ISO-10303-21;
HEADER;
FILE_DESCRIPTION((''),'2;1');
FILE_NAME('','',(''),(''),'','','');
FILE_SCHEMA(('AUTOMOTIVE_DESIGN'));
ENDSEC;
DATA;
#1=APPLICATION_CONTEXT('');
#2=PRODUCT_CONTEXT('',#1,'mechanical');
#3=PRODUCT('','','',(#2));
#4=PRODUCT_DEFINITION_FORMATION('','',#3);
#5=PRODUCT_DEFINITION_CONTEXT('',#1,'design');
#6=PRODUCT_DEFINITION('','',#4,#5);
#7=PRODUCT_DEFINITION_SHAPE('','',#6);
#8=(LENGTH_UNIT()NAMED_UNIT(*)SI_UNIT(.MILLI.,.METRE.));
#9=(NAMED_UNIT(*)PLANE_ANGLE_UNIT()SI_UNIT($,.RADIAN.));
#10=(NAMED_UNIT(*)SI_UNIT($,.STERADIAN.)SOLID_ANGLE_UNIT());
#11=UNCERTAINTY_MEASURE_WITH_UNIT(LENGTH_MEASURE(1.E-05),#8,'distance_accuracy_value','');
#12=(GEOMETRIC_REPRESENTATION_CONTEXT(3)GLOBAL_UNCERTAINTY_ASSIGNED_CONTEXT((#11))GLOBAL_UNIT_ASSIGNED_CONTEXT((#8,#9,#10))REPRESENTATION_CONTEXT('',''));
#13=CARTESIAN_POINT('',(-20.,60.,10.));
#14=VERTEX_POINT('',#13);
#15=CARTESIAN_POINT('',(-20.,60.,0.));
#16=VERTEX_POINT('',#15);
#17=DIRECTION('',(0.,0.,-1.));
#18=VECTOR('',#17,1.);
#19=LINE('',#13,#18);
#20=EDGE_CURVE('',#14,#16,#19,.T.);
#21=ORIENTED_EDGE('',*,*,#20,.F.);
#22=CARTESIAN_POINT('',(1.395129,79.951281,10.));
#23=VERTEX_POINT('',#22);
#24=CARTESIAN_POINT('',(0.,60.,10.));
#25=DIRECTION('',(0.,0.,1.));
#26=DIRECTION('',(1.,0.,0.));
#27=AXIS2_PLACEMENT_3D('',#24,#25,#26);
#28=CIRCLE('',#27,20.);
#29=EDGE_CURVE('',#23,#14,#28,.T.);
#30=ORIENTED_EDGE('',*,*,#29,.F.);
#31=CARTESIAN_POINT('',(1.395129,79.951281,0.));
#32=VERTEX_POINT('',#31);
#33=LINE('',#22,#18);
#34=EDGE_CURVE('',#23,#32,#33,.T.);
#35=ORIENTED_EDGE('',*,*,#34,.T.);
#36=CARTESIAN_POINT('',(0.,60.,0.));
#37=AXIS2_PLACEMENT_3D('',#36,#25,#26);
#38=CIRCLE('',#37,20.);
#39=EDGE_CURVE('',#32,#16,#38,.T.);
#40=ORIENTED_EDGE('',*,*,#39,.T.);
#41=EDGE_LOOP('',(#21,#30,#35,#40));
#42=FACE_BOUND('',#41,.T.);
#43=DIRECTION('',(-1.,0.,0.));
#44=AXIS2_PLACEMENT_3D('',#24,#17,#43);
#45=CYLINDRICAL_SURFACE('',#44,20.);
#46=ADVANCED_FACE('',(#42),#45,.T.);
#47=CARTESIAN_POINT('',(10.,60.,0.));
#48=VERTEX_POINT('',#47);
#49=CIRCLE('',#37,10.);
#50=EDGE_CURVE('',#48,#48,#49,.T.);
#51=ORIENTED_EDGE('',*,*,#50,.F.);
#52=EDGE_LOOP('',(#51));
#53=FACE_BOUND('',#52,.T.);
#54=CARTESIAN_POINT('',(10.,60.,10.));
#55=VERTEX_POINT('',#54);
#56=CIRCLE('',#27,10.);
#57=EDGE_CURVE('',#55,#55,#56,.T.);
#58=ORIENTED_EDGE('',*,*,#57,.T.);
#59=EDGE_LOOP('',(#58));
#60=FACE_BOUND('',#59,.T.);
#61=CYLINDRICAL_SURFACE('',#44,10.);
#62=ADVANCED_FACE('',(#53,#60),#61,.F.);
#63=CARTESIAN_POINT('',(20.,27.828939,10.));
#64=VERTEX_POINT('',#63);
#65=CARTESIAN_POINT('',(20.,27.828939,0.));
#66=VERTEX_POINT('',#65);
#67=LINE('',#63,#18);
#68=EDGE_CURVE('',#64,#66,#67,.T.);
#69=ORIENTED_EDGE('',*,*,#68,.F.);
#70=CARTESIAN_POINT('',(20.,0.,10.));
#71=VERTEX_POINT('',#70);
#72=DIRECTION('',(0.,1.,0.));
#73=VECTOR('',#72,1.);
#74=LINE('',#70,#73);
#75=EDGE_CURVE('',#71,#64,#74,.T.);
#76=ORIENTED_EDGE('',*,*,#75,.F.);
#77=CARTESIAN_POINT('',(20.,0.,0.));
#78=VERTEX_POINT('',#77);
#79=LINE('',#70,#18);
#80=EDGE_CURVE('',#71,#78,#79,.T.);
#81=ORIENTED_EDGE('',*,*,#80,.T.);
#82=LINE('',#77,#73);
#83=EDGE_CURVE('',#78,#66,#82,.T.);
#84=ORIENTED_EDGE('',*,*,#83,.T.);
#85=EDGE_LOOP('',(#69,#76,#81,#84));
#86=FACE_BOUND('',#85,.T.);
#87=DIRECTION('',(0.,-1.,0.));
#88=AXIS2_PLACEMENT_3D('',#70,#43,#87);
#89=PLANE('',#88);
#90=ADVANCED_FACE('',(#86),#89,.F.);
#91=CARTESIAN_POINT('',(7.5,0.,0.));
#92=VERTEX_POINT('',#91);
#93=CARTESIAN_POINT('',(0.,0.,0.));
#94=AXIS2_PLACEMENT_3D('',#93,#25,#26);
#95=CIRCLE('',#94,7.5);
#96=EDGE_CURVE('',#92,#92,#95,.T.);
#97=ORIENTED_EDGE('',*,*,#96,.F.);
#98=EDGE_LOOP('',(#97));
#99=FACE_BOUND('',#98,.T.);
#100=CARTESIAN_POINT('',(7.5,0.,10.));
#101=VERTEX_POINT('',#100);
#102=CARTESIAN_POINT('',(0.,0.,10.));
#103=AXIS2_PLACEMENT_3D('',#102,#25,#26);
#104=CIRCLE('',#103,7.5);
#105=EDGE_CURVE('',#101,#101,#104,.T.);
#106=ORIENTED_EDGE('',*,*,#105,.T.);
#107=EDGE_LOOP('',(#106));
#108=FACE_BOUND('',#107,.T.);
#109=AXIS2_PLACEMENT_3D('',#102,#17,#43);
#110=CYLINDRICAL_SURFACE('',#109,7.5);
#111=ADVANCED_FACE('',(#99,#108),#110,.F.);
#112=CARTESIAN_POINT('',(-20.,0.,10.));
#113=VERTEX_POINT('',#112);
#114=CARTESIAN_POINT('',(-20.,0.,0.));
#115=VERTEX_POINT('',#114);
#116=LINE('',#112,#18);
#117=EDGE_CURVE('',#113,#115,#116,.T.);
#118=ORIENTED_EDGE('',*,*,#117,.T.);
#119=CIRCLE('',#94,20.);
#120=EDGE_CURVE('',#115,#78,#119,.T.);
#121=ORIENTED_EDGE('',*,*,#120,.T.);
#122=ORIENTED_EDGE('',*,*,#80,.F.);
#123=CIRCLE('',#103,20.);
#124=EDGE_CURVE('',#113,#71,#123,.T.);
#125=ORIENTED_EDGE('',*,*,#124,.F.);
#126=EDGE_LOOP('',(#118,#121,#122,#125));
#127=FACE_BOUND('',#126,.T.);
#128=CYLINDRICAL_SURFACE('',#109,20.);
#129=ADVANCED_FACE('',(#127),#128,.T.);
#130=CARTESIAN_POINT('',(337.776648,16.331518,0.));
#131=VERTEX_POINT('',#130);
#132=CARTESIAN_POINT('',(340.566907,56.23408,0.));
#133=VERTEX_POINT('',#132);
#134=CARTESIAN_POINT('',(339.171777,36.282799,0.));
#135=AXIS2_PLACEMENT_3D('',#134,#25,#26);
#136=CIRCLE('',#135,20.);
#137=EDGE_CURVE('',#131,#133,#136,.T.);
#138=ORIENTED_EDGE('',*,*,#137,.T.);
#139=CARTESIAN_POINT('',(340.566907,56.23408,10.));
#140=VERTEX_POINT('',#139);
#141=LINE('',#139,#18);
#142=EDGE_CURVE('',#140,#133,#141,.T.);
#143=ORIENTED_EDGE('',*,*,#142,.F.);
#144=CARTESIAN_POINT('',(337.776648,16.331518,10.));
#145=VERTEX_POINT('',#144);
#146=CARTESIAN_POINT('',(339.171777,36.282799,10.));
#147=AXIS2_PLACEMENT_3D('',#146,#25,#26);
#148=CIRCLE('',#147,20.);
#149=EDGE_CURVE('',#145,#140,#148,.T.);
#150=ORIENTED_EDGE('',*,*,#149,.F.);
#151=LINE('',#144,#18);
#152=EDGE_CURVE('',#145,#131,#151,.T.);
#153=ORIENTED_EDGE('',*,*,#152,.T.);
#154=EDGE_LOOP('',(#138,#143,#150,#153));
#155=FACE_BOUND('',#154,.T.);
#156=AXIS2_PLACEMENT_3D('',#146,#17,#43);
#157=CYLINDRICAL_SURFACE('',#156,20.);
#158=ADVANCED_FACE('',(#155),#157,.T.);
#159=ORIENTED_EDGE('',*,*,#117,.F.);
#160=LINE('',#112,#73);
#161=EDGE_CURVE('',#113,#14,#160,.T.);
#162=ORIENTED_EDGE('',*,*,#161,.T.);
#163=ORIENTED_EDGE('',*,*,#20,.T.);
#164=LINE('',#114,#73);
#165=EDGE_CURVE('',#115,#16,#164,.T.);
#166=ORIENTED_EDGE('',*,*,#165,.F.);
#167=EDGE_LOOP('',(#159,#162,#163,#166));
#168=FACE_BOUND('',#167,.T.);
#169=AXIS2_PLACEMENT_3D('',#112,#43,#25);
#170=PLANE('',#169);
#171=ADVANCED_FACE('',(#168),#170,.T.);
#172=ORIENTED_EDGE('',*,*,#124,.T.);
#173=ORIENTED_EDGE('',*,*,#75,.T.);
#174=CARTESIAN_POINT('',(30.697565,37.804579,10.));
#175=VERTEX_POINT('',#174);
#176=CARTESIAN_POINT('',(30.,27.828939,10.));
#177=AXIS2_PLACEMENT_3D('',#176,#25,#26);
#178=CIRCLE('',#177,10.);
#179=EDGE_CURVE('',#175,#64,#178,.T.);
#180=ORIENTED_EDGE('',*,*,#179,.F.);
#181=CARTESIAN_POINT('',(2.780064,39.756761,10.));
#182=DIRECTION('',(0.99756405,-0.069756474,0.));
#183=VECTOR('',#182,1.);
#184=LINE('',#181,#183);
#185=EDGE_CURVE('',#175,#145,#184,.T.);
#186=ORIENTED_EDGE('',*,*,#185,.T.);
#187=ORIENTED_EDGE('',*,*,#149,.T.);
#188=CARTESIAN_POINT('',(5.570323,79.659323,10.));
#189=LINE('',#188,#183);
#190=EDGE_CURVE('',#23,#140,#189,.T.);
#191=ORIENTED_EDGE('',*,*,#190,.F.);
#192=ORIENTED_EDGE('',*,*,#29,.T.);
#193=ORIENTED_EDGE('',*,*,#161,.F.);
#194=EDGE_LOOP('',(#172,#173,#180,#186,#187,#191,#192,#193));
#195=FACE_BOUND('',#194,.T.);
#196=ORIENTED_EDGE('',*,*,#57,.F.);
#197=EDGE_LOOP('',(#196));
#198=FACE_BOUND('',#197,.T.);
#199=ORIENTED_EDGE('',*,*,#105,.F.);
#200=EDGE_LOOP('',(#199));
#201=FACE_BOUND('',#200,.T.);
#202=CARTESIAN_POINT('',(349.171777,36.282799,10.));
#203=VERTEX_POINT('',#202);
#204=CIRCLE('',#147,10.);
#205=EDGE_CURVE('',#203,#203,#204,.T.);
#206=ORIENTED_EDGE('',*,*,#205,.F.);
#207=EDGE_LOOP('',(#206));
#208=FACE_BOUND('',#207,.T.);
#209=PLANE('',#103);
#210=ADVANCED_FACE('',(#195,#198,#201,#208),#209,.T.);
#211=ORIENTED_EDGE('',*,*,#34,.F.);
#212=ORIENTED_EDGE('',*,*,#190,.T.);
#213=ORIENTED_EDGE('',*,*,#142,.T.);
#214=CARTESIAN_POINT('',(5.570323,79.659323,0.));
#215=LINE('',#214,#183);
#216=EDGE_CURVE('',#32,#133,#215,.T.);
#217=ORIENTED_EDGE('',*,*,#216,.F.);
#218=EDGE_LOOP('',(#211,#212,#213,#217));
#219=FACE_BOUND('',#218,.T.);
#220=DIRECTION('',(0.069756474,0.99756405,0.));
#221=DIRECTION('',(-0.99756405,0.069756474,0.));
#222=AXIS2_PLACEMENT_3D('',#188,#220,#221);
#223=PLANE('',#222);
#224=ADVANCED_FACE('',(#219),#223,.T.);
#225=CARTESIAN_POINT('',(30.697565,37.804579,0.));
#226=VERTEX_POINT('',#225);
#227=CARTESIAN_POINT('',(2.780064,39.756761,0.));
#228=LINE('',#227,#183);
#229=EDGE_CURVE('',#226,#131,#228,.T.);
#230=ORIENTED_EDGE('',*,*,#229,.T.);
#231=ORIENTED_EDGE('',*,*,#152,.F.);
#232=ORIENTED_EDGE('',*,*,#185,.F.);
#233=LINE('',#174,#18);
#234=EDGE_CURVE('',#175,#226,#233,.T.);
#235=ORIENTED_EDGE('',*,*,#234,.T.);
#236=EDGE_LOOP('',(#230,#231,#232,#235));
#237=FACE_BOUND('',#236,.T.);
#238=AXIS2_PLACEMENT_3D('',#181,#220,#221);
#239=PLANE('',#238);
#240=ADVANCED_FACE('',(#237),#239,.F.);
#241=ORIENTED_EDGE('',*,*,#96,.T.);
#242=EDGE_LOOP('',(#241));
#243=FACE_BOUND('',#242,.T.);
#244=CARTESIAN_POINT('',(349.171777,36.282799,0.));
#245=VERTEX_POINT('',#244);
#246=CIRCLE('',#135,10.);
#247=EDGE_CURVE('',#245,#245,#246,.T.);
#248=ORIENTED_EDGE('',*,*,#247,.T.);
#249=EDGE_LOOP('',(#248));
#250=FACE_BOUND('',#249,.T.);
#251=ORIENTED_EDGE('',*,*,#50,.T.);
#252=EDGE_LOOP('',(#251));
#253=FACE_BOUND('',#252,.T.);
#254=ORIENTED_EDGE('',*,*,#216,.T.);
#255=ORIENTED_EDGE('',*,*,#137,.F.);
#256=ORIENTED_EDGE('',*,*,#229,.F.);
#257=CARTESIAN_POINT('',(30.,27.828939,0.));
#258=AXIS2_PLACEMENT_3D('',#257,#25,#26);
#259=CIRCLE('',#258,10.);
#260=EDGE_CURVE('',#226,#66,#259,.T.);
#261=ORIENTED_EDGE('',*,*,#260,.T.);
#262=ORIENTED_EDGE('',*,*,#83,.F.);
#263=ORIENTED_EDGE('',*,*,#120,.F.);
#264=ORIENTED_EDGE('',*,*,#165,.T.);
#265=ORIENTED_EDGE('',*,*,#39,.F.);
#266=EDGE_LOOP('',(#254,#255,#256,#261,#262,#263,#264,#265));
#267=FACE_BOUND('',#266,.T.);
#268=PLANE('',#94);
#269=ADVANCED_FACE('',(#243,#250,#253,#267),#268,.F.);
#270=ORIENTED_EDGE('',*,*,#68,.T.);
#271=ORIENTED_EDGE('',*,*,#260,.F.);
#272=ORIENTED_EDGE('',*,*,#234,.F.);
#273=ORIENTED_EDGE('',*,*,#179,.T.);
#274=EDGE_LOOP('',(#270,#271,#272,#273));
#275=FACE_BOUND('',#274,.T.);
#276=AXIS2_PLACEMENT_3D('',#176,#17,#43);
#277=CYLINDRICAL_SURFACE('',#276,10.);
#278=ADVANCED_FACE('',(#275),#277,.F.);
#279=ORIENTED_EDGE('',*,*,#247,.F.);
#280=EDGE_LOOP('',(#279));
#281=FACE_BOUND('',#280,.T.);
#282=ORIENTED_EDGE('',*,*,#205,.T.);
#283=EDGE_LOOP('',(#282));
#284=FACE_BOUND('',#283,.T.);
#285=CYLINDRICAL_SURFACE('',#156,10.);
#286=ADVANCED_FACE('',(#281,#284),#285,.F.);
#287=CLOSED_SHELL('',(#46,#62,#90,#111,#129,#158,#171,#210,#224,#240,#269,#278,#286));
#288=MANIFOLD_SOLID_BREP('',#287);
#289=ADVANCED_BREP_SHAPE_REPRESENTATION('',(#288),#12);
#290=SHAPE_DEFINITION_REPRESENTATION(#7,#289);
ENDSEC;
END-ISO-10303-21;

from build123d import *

# Parameters (mm, degrees)
CROQUIS1_R              = 7.5
CROQUIS1_R_2            = 10
SALIENTE_EXTRUIR1_DEPTH = 10


with BuildPart() as part:
    # Croquis1 → Saliente-Extruir1 (new body)
    with BuildSketch(Plane.XY):
        with BuildLine():
            Line((-20, 0), (-20, 60))
            ThreePointArc((-20, 60), (-13.639967201, 74.627074032), (1.395129475, 79.951281005))
            Line((1.395129475, 79.951281005), (340.566906563, 56.234079932))
            ThreePointArc((340.566906563, 56.234079932), (359.123058094, 34.887669452), (337.776647613, 16.331517922))
            Line((337.776647613, 16.331517922), (30.697564737, 37.804579202))
            ThreePointArc((30.697564737, 37.804579202), (23.180016399, 35.142475715), (20, 27.828938699))
            Line((20, 27.828938699), (20, 0))
            ThreePointArc((20, 0), (0, -20), (-20, 0))
        make_face()
        Circle(CROQUIS1_R, mode=Mode.SUBTRACT)
        with Locations((339.171777088, 36.282798927)):
            Circle(CROQUIS1_R_2, mode=Mode.SUBTRACT)
        with Locations((0, 60)):
            Circle(CROQUIS1_R_2, mode=Mode.SUBTRACT)
    extrude(amount=SALIENTE_EXTRUIR1_DEPTH)


solid = part.part
